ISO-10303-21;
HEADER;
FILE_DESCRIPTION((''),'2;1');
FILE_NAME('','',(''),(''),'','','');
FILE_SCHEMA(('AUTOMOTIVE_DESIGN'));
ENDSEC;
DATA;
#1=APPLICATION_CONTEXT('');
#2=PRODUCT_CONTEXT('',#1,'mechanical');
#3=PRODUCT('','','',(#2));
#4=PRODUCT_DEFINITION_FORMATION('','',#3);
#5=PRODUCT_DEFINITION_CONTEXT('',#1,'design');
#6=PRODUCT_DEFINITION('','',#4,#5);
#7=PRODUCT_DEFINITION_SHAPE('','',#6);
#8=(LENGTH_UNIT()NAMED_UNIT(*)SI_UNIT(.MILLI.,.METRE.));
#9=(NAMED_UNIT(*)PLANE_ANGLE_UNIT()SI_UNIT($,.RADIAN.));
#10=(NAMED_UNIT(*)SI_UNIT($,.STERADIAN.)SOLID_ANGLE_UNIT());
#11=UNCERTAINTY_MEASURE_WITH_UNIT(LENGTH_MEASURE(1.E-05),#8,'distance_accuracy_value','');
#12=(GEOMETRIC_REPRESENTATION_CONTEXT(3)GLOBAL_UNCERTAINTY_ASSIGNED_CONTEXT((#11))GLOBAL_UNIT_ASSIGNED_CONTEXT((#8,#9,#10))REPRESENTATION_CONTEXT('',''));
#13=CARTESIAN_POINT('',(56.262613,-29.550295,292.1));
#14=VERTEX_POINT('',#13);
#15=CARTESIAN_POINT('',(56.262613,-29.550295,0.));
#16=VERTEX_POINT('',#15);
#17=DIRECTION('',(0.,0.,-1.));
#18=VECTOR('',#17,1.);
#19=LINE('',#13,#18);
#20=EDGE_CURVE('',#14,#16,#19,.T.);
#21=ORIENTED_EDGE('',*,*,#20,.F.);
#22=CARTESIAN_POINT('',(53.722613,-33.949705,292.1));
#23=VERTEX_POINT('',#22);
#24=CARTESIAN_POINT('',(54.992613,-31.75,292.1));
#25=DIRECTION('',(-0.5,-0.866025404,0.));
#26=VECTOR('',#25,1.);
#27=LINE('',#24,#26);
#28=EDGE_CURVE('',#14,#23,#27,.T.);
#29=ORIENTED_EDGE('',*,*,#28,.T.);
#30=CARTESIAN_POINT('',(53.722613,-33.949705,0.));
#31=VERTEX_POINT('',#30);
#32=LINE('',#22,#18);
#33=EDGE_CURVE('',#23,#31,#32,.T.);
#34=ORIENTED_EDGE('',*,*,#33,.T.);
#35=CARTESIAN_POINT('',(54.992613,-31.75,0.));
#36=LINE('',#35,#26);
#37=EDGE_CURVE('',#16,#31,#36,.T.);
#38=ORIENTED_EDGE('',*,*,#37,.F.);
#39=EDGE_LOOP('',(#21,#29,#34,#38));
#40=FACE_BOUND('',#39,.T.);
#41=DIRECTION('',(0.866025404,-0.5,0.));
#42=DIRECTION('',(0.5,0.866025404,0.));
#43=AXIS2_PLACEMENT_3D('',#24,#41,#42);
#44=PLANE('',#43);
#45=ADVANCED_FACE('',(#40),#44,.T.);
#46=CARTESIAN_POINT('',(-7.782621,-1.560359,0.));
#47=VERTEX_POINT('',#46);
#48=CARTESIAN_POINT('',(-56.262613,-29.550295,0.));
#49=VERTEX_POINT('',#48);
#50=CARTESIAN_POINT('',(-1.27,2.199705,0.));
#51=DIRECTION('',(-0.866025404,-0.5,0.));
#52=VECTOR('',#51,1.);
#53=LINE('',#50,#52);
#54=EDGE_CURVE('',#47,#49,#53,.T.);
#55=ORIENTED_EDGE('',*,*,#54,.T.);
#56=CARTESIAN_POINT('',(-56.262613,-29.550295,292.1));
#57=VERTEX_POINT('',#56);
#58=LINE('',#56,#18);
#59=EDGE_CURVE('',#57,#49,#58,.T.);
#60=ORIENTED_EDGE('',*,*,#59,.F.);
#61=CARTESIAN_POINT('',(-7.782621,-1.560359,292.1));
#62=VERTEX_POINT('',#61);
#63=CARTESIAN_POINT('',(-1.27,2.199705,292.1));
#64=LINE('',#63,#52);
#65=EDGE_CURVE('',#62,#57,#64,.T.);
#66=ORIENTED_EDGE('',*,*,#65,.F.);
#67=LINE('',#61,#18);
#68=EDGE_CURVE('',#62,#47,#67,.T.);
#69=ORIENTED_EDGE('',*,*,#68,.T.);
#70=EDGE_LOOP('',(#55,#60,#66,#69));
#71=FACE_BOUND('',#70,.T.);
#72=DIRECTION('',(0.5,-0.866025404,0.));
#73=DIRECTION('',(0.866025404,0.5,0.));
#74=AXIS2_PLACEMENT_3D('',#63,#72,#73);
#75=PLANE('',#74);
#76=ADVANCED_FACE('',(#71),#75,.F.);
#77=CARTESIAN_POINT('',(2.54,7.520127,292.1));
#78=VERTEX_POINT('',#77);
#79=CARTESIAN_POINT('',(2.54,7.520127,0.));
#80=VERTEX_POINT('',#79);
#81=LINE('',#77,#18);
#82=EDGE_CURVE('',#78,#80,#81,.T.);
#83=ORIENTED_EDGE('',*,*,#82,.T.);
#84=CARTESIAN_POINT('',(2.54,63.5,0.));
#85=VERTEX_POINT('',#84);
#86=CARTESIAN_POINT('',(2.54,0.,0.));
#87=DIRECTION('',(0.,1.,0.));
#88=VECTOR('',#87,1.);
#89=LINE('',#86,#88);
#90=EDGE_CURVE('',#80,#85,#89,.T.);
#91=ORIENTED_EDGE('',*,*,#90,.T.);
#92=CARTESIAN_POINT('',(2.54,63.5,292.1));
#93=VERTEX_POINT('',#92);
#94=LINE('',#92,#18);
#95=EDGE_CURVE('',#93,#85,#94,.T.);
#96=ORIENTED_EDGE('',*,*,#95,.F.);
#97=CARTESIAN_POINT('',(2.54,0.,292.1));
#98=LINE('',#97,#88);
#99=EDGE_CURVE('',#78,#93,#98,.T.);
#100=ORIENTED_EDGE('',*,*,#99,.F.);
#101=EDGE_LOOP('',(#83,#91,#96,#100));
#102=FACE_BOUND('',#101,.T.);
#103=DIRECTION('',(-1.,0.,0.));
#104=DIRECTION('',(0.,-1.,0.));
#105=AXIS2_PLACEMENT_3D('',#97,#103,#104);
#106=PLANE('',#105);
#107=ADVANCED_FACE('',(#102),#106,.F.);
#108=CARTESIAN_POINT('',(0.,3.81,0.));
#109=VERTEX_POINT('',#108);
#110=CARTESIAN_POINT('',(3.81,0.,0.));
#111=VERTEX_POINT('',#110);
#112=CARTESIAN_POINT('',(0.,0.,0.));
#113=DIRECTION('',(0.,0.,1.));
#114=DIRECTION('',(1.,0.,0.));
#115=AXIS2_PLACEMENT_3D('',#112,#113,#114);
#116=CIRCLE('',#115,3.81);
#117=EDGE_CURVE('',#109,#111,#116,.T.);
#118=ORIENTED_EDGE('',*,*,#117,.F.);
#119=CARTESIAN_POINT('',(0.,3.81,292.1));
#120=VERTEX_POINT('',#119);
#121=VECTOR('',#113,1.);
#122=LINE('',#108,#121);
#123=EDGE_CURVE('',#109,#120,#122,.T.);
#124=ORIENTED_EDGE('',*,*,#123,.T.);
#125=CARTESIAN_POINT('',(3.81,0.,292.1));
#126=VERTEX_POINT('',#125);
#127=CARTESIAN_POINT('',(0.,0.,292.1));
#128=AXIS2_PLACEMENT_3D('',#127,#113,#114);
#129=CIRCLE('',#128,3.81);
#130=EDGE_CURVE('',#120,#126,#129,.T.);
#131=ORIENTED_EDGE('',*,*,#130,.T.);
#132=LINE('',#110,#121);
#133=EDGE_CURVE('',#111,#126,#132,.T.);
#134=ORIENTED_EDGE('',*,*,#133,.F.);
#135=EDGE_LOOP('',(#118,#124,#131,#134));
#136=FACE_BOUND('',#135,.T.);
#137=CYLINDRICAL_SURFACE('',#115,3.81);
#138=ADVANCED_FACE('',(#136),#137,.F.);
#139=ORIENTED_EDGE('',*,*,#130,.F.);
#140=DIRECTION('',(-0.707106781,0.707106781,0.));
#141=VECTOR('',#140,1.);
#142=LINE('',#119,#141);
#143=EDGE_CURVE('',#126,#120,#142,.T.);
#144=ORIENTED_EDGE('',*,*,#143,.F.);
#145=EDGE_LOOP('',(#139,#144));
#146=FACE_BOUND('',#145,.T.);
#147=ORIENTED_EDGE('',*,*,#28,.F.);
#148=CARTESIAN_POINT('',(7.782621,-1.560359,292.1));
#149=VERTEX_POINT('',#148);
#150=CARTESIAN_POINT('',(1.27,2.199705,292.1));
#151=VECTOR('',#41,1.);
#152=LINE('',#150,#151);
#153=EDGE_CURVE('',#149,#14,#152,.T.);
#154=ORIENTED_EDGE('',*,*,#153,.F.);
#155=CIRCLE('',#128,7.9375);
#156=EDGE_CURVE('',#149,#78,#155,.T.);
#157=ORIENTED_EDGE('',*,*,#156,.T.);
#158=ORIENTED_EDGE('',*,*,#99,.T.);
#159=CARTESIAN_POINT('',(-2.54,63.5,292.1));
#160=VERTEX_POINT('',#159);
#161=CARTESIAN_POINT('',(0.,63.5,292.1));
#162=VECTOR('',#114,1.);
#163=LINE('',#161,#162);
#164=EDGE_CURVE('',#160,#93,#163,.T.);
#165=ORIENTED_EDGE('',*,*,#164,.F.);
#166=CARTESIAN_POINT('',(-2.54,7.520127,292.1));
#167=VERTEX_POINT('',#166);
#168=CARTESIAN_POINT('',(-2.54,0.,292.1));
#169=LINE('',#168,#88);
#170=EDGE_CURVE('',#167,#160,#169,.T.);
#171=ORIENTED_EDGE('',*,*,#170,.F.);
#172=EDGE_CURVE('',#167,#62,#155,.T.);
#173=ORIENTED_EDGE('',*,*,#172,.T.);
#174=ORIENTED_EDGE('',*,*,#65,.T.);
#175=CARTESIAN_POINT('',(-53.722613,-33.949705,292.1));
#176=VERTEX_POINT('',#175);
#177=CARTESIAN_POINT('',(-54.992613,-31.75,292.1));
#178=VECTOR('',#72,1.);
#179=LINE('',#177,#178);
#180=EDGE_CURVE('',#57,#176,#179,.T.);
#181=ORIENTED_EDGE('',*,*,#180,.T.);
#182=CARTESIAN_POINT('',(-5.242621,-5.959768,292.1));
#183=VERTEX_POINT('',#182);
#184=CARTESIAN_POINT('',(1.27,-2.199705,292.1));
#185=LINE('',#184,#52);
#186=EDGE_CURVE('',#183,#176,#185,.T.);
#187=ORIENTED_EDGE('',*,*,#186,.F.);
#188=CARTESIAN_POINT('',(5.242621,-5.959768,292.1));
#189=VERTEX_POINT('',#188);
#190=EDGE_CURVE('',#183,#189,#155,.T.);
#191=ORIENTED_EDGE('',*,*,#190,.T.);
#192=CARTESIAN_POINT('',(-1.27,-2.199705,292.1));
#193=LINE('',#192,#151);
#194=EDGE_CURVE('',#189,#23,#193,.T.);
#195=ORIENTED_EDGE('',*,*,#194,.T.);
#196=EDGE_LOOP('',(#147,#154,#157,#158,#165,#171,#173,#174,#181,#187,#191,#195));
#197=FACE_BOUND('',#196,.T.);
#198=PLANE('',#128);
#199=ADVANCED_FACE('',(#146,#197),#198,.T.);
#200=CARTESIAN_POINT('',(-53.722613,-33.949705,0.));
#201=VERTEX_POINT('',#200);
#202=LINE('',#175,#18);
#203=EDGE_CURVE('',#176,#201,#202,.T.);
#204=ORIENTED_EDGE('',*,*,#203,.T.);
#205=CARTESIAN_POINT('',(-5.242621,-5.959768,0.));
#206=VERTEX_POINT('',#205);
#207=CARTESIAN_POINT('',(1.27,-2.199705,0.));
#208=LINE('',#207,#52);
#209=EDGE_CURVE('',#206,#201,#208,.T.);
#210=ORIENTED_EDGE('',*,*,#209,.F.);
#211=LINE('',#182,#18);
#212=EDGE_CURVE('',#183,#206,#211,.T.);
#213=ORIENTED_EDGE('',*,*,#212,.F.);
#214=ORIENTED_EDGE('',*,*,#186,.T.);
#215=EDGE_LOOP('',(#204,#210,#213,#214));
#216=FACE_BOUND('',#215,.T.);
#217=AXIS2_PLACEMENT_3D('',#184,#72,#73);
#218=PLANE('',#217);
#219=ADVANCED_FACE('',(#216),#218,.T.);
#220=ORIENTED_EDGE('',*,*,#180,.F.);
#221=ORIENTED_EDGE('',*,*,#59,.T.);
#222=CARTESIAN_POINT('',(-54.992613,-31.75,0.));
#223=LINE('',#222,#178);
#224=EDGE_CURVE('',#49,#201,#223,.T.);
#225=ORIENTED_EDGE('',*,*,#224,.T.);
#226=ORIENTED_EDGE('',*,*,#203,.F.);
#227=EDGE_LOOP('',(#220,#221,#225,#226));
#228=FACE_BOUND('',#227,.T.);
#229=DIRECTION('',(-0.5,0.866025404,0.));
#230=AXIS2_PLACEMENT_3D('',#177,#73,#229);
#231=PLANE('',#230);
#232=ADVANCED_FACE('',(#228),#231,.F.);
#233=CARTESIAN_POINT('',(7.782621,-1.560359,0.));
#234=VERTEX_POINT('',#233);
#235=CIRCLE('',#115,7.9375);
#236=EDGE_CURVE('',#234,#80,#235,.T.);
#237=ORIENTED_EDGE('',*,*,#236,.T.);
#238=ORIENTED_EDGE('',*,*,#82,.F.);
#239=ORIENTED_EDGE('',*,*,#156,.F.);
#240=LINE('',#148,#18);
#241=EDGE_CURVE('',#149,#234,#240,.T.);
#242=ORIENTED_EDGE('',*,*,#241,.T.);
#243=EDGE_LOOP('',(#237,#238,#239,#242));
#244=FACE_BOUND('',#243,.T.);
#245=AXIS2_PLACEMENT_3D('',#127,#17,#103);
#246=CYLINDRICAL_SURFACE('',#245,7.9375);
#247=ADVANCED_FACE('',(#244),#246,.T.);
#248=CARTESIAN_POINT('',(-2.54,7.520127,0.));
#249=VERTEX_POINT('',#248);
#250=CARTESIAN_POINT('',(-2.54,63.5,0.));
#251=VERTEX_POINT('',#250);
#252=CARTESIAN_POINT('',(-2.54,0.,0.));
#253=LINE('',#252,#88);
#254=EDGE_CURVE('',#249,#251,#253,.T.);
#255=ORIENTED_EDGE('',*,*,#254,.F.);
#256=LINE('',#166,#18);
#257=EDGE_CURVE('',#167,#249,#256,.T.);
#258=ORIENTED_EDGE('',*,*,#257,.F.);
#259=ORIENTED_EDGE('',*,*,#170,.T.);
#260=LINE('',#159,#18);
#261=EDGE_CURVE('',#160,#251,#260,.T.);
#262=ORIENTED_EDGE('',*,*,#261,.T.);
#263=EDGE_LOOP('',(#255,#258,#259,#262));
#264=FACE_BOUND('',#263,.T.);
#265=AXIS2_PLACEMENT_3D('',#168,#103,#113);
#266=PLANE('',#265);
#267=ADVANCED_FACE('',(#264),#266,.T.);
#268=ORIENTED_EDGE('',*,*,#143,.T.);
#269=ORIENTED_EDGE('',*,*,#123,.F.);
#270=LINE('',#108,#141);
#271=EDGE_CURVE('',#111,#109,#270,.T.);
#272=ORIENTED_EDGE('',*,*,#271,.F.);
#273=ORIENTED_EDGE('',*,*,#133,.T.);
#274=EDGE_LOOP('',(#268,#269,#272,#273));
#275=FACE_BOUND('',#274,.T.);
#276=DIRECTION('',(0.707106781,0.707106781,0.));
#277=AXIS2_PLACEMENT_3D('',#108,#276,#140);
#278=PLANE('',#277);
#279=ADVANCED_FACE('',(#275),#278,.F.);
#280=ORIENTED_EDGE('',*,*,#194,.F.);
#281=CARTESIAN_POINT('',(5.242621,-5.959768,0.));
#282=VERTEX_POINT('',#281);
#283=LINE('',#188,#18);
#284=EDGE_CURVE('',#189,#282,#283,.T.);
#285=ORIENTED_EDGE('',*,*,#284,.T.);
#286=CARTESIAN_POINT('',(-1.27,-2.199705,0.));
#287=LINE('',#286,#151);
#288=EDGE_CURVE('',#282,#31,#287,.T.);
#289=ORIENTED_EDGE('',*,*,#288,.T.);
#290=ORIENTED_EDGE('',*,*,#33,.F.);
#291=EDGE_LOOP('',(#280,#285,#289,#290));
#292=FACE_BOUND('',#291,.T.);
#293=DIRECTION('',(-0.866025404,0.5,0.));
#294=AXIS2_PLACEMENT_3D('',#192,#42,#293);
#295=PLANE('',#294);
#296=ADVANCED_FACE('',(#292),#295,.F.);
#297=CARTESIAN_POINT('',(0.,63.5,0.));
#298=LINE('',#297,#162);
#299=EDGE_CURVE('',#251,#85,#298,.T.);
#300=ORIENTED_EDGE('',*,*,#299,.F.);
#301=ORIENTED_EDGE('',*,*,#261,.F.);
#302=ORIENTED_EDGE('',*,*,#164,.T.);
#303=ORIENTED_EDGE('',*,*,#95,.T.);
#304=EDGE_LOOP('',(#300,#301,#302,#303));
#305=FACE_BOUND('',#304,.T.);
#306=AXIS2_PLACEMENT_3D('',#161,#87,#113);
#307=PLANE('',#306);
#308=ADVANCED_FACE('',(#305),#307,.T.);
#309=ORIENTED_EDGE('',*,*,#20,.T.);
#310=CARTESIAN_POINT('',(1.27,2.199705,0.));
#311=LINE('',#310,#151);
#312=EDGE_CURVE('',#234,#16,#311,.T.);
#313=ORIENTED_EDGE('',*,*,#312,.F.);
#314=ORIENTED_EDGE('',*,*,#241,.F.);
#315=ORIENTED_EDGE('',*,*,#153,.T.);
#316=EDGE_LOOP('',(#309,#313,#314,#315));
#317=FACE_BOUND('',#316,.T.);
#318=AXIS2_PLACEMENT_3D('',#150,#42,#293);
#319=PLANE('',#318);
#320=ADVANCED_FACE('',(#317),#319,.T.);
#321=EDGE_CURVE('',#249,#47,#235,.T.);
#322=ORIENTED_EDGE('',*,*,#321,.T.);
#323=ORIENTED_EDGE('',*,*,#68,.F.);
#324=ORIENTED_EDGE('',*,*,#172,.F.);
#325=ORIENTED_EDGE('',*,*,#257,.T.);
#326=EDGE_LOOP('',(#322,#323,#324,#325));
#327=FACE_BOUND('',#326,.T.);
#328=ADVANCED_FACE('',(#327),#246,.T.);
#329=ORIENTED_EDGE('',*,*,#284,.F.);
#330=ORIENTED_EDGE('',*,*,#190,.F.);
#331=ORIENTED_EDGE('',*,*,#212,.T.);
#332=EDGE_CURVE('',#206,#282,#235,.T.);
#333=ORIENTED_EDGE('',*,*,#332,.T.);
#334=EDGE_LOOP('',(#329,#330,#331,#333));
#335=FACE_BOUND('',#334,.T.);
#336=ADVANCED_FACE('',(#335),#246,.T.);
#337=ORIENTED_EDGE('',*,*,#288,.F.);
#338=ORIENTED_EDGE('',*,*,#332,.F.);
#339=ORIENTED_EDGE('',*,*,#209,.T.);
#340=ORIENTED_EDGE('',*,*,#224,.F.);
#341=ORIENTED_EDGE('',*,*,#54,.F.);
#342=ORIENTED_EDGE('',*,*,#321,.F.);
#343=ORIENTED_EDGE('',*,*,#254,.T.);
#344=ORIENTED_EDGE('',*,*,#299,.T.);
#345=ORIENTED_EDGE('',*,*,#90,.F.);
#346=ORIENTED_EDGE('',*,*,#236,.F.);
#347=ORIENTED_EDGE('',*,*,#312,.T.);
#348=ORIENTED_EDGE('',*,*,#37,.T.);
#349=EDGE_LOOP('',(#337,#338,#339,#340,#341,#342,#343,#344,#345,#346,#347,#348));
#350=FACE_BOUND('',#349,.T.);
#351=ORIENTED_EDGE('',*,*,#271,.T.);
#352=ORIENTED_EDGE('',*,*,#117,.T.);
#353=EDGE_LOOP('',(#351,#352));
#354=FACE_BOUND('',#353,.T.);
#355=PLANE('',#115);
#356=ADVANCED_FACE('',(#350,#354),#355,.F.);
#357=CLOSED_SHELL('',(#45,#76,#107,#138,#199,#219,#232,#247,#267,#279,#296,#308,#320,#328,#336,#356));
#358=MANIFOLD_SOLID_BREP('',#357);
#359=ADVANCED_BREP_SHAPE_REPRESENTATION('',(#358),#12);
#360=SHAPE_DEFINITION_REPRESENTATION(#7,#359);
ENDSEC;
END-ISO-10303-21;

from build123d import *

# Parameters (mm, degrees)
BOSS_EXTRUDE1_DEPTH     = 292.1
CUT_EXTRUDE1_DEPTH      = 305.17123736
CUT_EXTRUDE1_DEPTH_BACK = 305.17123736


with BuildPart() as part:
    # Sketch1 → Boss-Extrude1 (new body)
    with BuildSketch(Plane.XY):
        with BuildLine():
            Line((-2.54, 1.466469684), (-2.54, 7.520126744))
            ThreePointArc((-2.54, 7.520126744), (-6.874076643, 3.96875), (-7.7826208, -1.560358847))
            Line((-7.7826208, -1.560358847), (-2.54, 1.466469684))
        make_face()
        with BuildLine():
            ThreePointArc((-5.2426208, -5.959767898), (0, -7.9375), (5.2426208, -5.959767898))
            Line((5.2426208, -5.959767898), (0, -2.932939367))
            Line((0, -2.932939367), (-5.2426208, -5.959767898))
        make_face()
        with BuildLine():
            ThreePointArc((7.9375, 0), (6.448455484, 4.628318067), (2.54, 7.520126744))
            Line((2.54, 7.520126744), (2.54, 1.466469684))
            Line((2.54, 1.466469684), (7.7826208, -1.560358847))
            ThreePointArc((7.7826208, -1.560358847), (7.898685297, -0.784013281), (7.9375, 0))
        make_face()
        with BuildLine():
            Line((6.874076643, -3.96875), (0, 0))
            Line((0, 0), (-6.874076643, -3.96875))
            ThreePointArc((-6.874076643, -3.96875), (-6.139595043, -5.030832829), (-5.2426208, -5.959767898))
            Line((-5.2426208, -5.959767898), (0, -2.932939367))
            Line((0, -2.932939367), (5.2426208, -5.959767898))
            ThreePointArc((5.2426208, -5.959767898), (6.139595043, -5.030832829), (6.874076643, -3.96875))
        make_face()
        with BuildLine():
            Line((-6.874076643, -3.96875), (0, 0))
            Line((0, 0), (0, 7.9375))
            ThreePointArc((0, 7.9375), (-1.28703151, 7.832461691), (-2.54, 7.520126744))
            Line((-2.54, 7.520126744), (-2.54, 1.466469684))
            Line((-2.54, 1.466469684), (-7.7826208, -1.560358847))
            ThreePointArc((-7.7826208, -1.560358847), (-7.426626554, -2.801628862), (-6.874076643, -3.96875))
        make_face()
        with BuildLine():
            Line((0, 7.9375), (0, 0))
            Line((0, 0), (6.874076643, -3.96875))
            ThreePointArc((6.874076643, -3.96875), (7.426626554, -2.801628862), (7.7826208, -1.560358847))
            Line((7.7826208, -1.560358847), (2.54, 1.466469684))
            Line((2.54, 1.466469684), (2.54, 7.520126744))
            ThreePointArc((2.54, 7.520126744), (1.28703151, 7.832461691), (0, 7.9375))
        make_face()
        with BuildLine():
            Line((0, 63.5), (0, 7.9375))
            ThreePointArc((0, 7.9375), (1.28703151, 7.832461691), (2.54, 7.520126744))
            Line((2.54, 7.520126744), (2.54, 63.5))
            Line((2.54, 63.5), (0, 63.5))
        make_face()
        with BuildLine():
            ThreePointArc((-2.54, 7.520126744), (-1.28703151, 7.832461691), (0, 7.9375))
            Line((0, 7.9375), (0, 63.5))
            Line((0, 63.5), (-2.54, 63.5))
            Line((-2.54, 63.5), (-2.54, 7.520126744))
        make_face()
        with BuildLine():
            Line((-54.99261314, -31.75), (-6.874076643, -3.96875))
            ThreePointArc((-6.874076643, -3.96875), (-7.426626554, -2.801628862), (-7.7826208, -1.560358847))
            Line((-7.7826208, -1.560358847), (-56.26261314, -29.550295474))
            Line((-56.26261314, -29.550295474), (-54.99261314, -31.75))
        make_face()
        with BuildLine():
            ThreePointArc((-5.2426208, -5.959767898), (-6.139595043, -5.030832829), (-6.874076643, -3.96875))
            Line((-6.874076643, -3.96875), (-54.99261314, -31.75))
            Line((-54.99261314, -31.75), (-53.72261314, -33.949704526))
            Line((-53.72261314, -33.949704526), (-5.2426208, -5.959767898))
        make_face()
        with BuildLine():
            Line((54.99261314, -31.75), (6.874076643, -3.96875))
            ThreePointArc((6.874076643, -3.96875), (6.139595043, -5.030832829), (5.2426208, -5.959767898))
            Line((5.2426208, -5.959767898), (53.72261314, -33.949704526))
            Line((53.72261314, -33.949704526), (54.99261314, -31.75))
        make_face()
        with BuildLine():
            ThreePointArc((7.7826208, -1.560358847), (7.426626554, -2.801628862), (6.874076643, -3.96875))
            Line((6.874076643, -3.96875), (54.99261314, -31.75))
            Line((54.99261314, -31.75), (56.26261314, -29.550295474))
            Line((56.26261314, -29.550295474), (7.7826208, -1.560358847))
        make_face()
    extrude(amount=BOSS_EXTRUDE1_DEPTH)

    # Sketch2 → Cut-Extrude1 (cut, two sides: drawn at the far end of the back side and taken through both)
    with BuildSketch(Plane.XY.offset(292.1).offset(-CUT_EXTRUDE1_DEPTH_BACK)):
        with BuildLine():
            Line((0, 3.81), (3.81, 0))
            ThreePointArc((3.81, 0), (-2.694076836, -2.694076836), (0, 3.81))
        make_face()
    extrude(amount=CUT_EXTRUDE1_DEPTH + CUT_EXTRUDE1_DEPTH_BACK, mode=Mode.SUBTRACT)


solid = part.part
